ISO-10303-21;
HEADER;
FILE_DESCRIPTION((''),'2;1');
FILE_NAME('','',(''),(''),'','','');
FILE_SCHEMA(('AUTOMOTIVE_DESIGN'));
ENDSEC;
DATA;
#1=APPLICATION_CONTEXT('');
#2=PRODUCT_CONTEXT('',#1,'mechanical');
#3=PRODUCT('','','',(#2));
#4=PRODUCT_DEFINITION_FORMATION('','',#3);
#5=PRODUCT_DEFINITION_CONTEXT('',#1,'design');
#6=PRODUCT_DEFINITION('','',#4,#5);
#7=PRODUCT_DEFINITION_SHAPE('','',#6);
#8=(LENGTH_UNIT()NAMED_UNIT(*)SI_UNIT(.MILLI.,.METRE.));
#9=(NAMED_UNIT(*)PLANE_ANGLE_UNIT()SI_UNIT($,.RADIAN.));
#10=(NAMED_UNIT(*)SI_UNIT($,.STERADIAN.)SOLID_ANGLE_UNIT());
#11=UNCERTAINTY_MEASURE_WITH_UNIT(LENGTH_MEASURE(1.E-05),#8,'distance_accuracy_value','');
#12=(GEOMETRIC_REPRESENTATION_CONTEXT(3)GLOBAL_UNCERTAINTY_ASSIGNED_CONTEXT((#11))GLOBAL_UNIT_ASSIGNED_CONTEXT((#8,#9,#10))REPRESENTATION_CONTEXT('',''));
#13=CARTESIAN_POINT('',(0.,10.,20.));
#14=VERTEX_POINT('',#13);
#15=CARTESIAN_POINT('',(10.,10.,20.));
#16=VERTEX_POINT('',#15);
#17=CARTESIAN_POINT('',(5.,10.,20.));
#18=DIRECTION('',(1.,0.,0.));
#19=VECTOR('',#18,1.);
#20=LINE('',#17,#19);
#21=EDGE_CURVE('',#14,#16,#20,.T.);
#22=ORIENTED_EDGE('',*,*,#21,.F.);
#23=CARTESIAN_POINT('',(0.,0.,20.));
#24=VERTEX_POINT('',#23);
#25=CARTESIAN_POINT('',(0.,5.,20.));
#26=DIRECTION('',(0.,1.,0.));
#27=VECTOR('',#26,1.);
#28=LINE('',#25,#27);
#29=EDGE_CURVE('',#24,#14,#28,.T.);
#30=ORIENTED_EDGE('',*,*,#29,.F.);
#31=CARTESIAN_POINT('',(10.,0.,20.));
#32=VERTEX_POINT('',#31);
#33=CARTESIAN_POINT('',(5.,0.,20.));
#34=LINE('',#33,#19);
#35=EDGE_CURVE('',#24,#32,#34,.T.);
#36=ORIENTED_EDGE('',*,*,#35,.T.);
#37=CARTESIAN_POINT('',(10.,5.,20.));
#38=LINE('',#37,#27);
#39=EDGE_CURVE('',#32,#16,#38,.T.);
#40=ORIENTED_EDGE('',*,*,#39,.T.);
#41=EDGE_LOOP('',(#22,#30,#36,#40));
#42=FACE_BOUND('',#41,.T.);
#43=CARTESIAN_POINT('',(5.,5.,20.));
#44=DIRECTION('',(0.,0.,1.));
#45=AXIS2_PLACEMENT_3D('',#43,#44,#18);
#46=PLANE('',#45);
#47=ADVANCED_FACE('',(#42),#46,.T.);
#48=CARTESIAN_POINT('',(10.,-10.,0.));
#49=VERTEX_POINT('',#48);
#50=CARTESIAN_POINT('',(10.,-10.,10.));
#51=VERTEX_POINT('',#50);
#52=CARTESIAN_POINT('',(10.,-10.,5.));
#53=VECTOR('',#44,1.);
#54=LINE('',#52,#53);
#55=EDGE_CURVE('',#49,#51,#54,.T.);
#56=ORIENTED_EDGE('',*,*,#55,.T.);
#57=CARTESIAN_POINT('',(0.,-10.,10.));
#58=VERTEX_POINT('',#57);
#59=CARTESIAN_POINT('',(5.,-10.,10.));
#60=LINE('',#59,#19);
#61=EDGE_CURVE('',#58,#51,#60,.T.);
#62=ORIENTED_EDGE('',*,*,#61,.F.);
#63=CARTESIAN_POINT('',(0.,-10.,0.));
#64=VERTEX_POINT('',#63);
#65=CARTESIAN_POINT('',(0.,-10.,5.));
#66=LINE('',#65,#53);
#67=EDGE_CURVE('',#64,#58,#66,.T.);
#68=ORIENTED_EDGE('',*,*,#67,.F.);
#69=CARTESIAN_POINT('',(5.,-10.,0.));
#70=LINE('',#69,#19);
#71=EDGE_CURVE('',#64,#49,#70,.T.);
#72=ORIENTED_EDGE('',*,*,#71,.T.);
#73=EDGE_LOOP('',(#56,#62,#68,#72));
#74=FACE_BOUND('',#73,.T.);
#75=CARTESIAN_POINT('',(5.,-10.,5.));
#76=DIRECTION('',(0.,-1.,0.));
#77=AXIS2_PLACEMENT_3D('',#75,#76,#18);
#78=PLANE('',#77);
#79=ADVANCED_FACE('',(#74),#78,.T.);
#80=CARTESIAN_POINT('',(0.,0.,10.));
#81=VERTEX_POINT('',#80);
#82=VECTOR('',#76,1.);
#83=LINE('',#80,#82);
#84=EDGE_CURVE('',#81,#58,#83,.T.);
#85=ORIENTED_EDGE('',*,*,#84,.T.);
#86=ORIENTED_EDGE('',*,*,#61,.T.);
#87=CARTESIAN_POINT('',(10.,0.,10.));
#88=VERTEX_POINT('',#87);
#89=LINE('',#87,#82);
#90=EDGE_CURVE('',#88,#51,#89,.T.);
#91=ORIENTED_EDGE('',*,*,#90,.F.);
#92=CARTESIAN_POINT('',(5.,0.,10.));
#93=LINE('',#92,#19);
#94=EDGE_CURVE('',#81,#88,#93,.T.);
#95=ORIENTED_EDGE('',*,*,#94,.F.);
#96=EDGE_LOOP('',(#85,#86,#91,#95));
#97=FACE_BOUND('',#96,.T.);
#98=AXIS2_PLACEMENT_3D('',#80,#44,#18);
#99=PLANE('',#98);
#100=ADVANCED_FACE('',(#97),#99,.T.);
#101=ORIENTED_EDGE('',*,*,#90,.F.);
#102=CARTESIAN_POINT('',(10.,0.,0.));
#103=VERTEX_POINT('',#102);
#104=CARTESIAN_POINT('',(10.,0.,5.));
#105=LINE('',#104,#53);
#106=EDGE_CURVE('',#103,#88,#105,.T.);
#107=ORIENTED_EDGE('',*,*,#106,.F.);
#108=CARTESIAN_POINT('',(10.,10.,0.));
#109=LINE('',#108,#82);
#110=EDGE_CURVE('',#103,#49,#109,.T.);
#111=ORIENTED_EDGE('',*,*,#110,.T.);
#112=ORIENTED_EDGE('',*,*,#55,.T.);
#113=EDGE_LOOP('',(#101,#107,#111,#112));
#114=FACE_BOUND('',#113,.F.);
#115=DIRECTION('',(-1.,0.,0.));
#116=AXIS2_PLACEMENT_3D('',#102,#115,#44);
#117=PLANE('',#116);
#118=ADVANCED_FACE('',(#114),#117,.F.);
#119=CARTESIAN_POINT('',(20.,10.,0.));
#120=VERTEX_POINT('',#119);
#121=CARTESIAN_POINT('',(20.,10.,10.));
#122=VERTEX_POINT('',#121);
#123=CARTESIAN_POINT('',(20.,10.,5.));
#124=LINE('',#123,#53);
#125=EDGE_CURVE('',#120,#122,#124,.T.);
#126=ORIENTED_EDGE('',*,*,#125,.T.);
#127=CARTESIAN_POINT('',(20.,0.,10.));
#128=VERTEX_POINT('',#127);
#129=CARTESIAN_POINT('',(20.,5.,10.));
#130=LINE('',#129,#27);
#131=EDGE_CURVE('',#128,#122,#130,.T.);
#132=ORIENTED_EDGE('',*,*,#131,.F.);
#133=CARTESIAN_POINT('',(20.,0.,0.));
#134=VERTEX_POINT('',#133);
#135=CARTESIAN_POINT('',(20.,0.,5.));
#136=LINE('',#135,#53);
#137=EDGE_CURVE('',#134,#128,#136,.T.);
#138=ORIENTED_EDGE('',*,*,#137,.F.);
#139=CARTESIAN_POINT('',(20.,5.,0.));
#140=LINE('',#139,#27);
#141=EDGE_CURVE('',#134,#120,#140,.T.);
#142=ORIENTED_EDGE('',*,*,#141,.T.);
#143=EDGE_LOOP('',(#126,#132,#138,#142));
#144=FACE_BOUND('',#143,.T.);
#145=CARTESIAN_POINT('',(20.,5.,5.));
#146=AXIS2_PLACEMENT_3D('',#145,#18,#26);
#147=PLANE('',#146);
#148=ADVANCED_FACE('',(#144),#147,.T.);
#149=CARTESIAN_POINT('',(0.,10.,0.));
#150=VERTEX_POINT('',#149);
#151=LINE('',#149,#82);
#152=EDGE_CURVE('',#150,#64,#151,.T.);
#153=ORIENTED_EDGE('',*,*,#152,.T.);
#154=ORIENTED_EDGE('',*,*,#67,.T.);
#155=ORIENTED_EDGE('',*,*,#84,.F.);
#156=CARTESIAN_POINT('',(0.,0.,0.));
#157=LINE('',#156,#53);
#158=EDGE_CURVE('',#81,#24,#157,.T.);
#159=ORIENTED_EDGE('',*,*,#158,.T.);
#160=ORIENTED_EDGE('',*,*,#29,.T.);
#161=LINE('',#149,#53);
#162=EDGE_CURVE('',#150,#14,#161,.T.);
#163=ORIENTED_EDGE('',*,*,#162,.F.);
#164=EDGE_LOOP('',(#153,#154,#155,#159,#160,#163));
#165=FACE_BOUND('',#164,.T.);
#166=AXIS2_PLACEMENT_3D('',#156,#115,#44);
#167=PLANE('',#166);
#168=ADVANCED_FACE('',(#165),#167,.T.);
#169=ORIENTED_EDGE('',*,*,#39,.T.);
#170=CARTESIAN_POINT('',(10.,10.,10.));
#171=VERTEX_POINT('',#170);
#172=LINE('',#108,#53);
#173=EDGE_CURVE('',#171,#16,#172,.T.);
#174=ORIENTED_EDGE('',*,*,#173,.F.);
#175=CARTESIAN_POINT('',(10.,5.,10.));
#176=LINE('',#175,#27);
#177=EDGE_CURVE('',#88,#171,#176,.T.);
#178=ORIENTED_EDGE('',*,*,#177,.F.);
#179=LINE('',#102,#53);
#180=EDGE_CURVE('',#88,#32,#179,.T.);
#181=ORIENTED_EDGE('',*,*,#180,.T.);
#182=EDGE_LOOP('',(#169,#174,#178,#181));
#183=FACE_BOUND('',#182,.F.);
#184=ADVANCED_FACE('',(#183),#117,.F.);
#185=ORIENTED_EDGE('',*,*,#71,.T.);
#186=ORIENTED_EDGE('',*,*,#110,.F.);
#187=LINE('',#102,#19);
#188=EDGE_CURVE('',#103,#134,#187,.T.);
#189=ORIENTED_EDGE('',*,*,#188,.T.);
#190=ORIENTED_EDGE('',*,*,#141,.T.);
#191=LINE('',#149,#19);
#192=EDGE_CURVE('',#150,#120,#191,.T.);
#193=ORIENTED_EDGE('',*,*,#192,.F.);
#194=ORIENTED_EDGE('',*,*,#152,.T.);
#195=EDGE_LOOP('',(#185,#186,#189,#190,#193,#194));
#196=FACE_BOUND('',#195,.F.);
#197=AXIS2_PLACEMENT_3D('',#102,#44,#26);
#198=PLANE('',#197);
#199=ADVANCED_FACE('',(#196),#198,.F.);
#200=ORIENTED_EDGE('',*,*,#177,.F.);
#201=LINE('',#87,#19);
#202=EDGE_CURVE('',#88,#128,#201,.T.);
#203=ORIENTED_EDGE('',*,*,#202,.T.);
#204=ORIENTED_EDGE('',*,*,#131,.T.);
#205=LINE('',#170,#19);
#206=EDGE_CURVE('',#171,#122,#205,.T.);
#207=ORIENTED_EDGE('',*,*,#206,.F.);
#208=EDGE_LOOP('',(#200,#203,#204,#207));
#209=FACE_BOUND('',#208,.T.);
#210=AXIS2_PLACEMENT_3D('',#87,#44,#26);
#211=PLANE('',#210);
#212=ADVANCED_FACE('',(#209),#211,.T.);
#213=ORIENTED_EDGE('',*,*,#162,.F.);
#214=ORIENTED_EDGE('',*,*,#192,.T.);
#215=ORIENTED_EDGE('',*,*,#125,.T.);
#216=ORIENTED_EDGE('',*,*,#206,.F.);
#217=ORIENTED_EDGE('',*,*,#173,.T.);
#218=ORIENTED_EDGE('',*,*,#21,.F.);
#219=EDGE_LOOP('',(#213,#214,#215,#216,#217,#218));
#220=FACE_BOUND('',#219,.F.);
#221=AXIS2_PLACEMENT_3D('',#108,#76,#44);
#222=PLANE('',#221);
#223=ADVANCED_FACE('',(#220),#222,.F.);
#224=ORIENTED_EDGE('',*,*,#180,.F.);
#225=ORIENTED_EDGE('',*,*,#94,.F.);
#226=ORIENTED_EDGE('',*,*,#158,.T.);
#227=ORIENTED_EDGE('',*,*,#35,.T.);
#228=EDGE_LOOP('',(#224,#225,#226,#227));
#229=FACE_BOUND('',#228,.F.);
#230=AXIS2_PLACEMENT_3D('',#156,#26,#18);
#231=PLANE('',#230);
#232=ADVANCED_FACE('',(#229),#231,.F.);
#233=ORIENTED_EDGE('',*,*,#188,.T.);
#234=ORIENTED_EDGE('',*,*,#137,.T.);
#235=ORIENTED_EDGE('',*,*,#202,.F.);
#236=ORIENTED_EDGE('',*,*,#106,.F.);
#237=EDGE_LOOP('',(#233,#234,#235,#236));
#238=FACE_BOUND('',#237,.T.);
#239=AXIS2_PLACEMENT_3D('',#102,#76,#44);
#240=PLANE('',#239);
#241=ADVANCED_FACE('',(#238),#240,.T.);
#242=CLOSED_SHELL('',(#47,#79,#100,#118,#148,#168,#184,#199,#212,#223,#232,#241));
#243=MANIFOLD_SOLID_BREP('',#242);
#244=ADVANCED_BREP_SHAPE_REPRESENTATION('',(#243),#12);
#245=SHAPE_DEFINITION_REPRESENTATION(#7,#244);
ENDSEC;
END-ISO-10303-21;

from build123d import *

# Parameters (mm, degrees)
F0_W     = 10
F0_H     = 10
F1_DEPTH = 20
F2_W     = 10
F2_H     = 10
F3_DEPTH = 10
F4_W     = 10
F4_H     = 10
F5_DEPTH = 10


with BuildPart() as f1:
    # F0 (on Top) → F1 (new body)
    with BuildSketch(Plane.XY):
        with Locations((5, 5)):
            Rectangle(F0_W, F0_H)
    extrude(amount=F1_DEPTH)

    # F2 (on face) → F3 (join)
    with BuildSketch(Plane.XZ):
        with Locations((5, 5)):
            Rectangle(F2_W, F2_H)
    extrude(amount=F3_DEPTH)

    # F4 (on face) → F5 (join)
    with BuildSketch(Plane.YZ.offset(10)):
        with Locations((5, 5)):
            Rectangle(F4_W, F4_H)
    extrude(amount=F5_DEPTH)


solid = f1.part
